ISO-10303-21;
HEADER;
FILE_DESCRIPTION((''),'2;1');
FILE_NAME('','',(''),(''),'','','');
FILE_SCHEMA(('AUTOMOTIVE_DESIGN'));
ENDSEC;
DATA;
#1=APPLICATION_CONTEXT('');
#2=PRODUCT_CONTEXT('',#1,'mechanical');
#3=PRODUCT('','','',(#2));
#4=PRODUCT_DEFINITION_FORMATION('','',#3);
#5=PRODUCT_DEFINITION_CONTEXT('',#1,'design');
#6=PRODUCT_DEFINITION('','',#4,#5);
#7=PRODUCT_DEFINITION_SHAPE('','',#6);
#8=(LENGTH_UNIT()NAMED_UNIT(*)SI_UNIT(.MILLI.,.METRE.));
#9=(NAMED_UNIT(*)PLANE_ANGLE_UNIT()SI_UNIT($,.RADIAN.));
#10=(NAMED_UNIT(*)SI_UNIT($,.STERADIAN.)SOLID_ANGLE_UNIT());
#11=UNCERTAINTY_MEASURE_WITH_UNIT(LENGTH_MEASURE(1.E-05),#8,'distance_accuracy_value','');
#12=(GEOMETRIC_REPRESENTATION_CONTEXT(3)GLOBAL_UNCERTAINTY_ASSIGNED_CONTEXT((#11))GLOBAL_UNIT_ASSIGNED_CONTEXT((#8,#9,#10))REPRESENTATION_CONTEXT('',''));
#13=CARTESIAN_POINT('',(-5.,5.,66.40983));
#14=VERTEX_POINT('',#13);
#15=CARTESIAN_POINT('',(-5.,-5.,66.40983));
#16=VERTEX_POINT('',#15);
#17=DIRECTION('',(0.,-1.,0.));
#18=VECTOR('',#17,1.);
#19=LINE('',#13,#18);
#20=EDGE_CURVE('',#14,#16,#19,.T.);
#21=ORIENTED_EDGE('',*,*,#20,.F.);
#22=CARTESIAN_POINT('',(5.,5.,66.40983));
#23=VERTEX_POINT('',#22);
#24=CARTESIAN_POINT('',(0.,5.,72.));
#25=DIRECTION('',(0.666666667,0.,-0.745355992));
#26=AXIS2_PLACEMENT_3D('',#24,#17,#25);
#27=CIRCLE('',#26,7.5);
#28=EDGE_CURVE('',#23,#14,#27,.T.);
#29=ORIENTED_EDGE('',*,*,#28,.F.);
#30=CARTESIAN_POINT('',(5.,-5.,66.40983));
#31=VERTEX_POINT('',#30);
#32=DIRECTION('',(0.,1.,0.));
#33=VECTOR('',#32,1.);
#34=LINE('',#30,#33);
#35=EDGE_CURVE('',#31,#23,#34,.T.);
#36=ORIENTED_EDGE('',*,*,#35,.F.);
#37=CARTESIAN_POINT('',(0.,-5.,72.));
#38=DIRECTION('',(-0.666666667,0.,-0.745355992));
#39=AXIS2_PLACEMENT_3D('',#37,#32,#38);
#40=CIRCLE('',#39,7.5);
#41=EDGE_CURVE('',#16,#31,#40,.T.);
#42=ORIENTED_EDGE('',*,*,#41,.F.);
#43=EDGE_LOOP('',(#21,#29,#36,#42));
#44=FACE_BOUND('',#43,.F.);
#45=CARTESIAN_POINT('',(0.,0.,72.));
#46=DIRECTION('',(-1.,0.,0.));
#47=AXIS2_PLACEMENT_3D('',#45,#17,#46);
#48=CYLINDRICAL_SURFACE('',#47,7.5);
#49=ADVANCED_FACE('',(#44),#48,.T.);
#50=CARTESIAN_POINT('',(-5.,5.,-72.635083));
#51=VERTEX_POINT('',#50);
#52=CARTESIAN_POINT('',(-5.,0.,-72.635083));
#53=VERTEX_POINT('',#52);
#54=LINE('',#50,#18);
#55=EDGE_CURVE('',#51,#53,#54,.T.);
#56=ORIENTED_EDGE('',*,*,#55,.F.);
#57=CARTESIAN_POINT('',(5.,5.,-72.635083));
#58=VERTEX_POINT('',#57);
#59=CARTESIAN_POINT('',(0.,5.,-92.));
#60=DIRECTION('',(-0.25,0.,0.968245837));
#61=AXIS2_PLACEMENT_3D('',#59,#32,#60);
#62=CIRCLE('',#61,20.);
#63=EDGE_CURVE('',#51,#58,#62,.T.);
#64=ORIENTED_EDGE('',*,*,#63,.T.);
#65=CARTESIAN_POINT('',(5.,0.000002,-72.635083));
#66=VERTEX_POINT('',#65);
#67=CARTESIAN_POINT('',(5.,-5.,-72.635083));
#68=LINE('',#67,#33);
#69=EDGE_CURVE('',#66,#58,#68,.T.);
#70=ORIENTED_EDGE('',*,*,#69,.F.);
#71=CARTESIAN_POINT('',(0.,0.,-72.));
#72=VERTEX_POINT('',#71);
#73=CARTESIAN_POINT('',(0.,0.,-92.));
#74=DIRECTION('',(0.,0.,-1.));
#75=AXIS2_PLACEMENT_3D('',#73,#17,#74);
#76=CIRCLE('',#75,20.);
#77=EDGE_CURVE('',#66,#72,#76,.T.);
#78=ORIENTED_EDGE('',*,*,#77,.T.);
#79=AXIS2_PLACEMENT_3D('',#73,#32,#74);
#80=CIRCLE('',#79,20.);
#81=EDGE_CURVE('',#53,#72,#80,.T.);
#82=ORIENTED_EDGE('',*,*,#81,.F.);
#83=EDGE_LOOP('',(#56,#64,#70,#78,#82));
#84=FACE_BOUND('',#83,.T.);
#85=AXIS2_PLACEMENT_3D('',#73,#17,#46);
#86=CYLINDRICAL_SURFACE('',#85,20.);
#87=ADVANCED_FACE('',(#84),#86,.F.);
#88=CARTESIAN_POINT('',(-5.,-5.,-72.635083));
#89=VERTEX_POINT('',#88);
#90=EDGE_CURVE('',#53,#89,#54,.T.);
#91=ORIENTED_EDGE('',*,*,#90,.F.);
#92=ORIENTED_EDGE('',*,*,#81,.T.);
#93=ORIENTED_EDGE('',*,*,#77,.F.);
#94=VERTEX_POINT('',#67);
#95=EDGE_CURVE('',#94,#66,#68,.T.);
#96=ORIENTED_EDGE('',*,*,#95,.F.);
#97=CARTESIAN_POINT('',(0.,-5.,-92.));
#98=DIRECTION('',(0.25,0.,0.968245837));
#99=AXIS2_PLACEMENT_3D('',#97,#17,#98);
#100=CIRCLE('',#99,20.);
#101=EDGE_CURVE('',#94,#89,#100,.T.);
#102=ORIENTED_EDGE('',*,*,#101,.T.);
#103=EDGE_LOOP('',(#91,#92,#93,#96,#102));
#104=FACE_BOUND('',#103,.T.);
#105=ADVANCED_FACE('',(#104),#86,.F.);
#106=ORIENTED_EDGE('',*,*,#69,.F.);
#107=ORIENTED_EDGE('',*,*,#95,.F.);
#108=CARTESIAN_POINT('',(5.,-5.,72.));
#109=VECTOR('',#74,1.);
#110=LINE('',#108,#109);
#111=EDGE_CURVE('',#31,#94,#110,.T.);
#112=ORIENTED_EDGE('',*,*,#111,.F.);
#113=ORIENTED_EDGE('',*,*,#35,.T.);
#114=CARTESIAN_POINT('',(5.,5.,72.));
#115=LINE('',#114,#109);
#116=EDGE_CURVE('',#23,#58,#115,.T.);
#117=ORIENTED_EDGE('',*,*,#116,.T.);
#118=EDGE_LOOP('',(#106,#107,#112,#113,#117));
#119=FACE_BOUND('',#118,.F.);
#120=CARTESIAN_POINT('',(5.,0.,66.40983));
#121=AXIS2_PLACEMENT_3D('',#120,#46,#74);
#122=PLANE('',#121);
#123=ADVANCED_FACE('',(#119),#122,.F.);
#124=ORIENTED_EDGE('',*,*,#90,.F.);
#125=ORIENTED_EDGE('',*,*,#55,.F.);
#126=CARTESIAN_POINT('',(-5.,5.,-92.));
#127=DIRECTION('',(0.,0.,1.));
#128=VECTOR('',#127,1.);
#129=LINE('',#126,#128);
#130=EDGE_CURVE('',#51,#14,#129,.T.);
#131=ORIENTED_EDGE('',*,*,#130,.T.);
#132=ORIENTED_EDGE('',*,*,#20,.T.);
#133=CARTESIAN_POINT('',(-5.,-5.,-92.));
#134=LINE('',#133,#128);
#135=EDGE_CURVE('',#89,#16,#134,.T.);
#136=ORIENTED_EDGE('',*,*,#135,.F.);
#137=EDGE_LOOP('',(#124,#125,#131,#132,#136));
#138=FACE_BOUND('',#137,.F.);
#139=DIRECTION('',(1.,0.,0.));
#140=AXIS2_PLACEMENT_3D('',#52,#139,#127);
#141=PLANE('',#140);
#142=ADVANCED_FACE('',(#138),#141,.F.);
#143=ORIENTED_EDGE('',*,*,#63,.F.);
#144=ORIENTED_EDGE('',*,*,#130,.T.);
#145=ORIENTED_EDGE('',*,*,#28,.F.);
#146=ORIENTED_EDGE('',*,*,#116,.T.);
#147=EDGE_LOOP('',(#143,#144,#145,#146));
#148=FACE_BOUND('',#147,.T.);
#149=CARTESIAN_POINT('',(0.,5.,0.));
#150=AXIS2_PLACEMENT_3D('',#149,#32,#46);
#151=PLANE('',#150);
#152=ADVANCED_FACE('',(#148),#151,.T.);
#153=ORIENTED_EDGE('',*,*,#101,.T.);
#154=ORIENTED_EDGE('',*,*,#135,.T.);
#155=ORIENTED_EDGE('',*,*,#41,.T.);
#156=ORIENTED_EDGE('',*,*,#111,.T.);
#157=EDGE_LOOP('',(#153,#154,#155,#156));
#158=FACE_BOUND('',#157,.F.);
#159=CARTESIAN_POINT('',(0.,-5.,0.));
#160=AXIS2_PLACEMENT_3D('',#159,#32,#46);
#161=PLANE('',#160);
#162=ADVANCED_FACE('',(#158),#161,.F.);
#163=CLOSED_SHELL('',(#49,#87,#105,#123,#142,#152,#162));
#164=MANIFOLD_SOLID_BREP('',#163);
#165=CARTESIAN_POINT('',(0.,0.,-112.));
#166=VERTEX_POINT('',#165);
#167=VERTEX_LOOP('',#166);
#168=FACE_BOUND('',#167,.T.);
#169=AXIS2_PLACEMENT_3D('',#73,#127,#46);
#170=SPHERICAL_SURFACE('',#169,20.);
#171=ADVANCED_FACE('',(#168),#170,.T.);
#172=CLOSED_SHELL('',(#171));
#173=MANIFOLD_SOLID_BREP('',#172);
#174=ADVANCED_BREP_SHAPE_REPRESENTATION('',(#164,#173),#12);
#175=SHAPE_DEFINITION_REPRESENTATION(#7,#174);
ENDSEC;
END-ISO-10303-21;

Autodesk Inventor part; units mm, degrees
ref_plane "YZ Plane" through (0, 0, 0) normal (1, 0, 0) x (0, 1, 0)
ref_plane "XZ Plane" through (0, 0, 0) normal (0, 1, 0) x (-1, 0, 0)
ref_plane "XY Plane" through (0, 0, 0) normal (0, 0, 1) x (1, 0, 0)
sketch "スケッチ1" plane through (0, 0, 0) normal (0, 1, 0) x (-1, 0, 0)
  line L0 (5, 72) -> (-5, 72)
  line L1 (-5, 72) -> (-5, -92)
  line L2 (-5, -92) -> (5, -92)
  line L3 (5, -92) -> (5, 72)
  circle A0 centre (0, -92) radius 20
  circle A1 centre (0, 72) radius 7.5
  line L4 (0, -112) -> (0, -72)
  point P0 (0, 0)
  point P1 (-5, 66.4098)
  point P2 (-5, -72.6351)
  point P3 (5, -72.6351)
  point P4 (5, 66.4098)
  point P5 (0, -92)
  dimension "d0" = 15
  dimension "d3" = 5
  dimension "d4" = 5
  dimension "d5" = 40
  dimension "d6" = 0
  dimension "d7" = 184
  dimension "d8" = 0
  dimension "d9" = 92
  dimension "d14" = 0
  dimension "d15" = 40
extrude "押し出し1" add sketch "スケッチ1" along normal blind 5 and the other way blind 5 contours L3 A1 L1 L0 | L0 L1 A1 L3 | L3 A0 L1 A1
revolve "回転1" add sketch "スケッチ1" angle 360 about axis through (0, 0, -112) along (0, 0, 1) contours A0 L4 L2 L3 | L3 L2 L4 A0
properties part number "link_kp2heel"
